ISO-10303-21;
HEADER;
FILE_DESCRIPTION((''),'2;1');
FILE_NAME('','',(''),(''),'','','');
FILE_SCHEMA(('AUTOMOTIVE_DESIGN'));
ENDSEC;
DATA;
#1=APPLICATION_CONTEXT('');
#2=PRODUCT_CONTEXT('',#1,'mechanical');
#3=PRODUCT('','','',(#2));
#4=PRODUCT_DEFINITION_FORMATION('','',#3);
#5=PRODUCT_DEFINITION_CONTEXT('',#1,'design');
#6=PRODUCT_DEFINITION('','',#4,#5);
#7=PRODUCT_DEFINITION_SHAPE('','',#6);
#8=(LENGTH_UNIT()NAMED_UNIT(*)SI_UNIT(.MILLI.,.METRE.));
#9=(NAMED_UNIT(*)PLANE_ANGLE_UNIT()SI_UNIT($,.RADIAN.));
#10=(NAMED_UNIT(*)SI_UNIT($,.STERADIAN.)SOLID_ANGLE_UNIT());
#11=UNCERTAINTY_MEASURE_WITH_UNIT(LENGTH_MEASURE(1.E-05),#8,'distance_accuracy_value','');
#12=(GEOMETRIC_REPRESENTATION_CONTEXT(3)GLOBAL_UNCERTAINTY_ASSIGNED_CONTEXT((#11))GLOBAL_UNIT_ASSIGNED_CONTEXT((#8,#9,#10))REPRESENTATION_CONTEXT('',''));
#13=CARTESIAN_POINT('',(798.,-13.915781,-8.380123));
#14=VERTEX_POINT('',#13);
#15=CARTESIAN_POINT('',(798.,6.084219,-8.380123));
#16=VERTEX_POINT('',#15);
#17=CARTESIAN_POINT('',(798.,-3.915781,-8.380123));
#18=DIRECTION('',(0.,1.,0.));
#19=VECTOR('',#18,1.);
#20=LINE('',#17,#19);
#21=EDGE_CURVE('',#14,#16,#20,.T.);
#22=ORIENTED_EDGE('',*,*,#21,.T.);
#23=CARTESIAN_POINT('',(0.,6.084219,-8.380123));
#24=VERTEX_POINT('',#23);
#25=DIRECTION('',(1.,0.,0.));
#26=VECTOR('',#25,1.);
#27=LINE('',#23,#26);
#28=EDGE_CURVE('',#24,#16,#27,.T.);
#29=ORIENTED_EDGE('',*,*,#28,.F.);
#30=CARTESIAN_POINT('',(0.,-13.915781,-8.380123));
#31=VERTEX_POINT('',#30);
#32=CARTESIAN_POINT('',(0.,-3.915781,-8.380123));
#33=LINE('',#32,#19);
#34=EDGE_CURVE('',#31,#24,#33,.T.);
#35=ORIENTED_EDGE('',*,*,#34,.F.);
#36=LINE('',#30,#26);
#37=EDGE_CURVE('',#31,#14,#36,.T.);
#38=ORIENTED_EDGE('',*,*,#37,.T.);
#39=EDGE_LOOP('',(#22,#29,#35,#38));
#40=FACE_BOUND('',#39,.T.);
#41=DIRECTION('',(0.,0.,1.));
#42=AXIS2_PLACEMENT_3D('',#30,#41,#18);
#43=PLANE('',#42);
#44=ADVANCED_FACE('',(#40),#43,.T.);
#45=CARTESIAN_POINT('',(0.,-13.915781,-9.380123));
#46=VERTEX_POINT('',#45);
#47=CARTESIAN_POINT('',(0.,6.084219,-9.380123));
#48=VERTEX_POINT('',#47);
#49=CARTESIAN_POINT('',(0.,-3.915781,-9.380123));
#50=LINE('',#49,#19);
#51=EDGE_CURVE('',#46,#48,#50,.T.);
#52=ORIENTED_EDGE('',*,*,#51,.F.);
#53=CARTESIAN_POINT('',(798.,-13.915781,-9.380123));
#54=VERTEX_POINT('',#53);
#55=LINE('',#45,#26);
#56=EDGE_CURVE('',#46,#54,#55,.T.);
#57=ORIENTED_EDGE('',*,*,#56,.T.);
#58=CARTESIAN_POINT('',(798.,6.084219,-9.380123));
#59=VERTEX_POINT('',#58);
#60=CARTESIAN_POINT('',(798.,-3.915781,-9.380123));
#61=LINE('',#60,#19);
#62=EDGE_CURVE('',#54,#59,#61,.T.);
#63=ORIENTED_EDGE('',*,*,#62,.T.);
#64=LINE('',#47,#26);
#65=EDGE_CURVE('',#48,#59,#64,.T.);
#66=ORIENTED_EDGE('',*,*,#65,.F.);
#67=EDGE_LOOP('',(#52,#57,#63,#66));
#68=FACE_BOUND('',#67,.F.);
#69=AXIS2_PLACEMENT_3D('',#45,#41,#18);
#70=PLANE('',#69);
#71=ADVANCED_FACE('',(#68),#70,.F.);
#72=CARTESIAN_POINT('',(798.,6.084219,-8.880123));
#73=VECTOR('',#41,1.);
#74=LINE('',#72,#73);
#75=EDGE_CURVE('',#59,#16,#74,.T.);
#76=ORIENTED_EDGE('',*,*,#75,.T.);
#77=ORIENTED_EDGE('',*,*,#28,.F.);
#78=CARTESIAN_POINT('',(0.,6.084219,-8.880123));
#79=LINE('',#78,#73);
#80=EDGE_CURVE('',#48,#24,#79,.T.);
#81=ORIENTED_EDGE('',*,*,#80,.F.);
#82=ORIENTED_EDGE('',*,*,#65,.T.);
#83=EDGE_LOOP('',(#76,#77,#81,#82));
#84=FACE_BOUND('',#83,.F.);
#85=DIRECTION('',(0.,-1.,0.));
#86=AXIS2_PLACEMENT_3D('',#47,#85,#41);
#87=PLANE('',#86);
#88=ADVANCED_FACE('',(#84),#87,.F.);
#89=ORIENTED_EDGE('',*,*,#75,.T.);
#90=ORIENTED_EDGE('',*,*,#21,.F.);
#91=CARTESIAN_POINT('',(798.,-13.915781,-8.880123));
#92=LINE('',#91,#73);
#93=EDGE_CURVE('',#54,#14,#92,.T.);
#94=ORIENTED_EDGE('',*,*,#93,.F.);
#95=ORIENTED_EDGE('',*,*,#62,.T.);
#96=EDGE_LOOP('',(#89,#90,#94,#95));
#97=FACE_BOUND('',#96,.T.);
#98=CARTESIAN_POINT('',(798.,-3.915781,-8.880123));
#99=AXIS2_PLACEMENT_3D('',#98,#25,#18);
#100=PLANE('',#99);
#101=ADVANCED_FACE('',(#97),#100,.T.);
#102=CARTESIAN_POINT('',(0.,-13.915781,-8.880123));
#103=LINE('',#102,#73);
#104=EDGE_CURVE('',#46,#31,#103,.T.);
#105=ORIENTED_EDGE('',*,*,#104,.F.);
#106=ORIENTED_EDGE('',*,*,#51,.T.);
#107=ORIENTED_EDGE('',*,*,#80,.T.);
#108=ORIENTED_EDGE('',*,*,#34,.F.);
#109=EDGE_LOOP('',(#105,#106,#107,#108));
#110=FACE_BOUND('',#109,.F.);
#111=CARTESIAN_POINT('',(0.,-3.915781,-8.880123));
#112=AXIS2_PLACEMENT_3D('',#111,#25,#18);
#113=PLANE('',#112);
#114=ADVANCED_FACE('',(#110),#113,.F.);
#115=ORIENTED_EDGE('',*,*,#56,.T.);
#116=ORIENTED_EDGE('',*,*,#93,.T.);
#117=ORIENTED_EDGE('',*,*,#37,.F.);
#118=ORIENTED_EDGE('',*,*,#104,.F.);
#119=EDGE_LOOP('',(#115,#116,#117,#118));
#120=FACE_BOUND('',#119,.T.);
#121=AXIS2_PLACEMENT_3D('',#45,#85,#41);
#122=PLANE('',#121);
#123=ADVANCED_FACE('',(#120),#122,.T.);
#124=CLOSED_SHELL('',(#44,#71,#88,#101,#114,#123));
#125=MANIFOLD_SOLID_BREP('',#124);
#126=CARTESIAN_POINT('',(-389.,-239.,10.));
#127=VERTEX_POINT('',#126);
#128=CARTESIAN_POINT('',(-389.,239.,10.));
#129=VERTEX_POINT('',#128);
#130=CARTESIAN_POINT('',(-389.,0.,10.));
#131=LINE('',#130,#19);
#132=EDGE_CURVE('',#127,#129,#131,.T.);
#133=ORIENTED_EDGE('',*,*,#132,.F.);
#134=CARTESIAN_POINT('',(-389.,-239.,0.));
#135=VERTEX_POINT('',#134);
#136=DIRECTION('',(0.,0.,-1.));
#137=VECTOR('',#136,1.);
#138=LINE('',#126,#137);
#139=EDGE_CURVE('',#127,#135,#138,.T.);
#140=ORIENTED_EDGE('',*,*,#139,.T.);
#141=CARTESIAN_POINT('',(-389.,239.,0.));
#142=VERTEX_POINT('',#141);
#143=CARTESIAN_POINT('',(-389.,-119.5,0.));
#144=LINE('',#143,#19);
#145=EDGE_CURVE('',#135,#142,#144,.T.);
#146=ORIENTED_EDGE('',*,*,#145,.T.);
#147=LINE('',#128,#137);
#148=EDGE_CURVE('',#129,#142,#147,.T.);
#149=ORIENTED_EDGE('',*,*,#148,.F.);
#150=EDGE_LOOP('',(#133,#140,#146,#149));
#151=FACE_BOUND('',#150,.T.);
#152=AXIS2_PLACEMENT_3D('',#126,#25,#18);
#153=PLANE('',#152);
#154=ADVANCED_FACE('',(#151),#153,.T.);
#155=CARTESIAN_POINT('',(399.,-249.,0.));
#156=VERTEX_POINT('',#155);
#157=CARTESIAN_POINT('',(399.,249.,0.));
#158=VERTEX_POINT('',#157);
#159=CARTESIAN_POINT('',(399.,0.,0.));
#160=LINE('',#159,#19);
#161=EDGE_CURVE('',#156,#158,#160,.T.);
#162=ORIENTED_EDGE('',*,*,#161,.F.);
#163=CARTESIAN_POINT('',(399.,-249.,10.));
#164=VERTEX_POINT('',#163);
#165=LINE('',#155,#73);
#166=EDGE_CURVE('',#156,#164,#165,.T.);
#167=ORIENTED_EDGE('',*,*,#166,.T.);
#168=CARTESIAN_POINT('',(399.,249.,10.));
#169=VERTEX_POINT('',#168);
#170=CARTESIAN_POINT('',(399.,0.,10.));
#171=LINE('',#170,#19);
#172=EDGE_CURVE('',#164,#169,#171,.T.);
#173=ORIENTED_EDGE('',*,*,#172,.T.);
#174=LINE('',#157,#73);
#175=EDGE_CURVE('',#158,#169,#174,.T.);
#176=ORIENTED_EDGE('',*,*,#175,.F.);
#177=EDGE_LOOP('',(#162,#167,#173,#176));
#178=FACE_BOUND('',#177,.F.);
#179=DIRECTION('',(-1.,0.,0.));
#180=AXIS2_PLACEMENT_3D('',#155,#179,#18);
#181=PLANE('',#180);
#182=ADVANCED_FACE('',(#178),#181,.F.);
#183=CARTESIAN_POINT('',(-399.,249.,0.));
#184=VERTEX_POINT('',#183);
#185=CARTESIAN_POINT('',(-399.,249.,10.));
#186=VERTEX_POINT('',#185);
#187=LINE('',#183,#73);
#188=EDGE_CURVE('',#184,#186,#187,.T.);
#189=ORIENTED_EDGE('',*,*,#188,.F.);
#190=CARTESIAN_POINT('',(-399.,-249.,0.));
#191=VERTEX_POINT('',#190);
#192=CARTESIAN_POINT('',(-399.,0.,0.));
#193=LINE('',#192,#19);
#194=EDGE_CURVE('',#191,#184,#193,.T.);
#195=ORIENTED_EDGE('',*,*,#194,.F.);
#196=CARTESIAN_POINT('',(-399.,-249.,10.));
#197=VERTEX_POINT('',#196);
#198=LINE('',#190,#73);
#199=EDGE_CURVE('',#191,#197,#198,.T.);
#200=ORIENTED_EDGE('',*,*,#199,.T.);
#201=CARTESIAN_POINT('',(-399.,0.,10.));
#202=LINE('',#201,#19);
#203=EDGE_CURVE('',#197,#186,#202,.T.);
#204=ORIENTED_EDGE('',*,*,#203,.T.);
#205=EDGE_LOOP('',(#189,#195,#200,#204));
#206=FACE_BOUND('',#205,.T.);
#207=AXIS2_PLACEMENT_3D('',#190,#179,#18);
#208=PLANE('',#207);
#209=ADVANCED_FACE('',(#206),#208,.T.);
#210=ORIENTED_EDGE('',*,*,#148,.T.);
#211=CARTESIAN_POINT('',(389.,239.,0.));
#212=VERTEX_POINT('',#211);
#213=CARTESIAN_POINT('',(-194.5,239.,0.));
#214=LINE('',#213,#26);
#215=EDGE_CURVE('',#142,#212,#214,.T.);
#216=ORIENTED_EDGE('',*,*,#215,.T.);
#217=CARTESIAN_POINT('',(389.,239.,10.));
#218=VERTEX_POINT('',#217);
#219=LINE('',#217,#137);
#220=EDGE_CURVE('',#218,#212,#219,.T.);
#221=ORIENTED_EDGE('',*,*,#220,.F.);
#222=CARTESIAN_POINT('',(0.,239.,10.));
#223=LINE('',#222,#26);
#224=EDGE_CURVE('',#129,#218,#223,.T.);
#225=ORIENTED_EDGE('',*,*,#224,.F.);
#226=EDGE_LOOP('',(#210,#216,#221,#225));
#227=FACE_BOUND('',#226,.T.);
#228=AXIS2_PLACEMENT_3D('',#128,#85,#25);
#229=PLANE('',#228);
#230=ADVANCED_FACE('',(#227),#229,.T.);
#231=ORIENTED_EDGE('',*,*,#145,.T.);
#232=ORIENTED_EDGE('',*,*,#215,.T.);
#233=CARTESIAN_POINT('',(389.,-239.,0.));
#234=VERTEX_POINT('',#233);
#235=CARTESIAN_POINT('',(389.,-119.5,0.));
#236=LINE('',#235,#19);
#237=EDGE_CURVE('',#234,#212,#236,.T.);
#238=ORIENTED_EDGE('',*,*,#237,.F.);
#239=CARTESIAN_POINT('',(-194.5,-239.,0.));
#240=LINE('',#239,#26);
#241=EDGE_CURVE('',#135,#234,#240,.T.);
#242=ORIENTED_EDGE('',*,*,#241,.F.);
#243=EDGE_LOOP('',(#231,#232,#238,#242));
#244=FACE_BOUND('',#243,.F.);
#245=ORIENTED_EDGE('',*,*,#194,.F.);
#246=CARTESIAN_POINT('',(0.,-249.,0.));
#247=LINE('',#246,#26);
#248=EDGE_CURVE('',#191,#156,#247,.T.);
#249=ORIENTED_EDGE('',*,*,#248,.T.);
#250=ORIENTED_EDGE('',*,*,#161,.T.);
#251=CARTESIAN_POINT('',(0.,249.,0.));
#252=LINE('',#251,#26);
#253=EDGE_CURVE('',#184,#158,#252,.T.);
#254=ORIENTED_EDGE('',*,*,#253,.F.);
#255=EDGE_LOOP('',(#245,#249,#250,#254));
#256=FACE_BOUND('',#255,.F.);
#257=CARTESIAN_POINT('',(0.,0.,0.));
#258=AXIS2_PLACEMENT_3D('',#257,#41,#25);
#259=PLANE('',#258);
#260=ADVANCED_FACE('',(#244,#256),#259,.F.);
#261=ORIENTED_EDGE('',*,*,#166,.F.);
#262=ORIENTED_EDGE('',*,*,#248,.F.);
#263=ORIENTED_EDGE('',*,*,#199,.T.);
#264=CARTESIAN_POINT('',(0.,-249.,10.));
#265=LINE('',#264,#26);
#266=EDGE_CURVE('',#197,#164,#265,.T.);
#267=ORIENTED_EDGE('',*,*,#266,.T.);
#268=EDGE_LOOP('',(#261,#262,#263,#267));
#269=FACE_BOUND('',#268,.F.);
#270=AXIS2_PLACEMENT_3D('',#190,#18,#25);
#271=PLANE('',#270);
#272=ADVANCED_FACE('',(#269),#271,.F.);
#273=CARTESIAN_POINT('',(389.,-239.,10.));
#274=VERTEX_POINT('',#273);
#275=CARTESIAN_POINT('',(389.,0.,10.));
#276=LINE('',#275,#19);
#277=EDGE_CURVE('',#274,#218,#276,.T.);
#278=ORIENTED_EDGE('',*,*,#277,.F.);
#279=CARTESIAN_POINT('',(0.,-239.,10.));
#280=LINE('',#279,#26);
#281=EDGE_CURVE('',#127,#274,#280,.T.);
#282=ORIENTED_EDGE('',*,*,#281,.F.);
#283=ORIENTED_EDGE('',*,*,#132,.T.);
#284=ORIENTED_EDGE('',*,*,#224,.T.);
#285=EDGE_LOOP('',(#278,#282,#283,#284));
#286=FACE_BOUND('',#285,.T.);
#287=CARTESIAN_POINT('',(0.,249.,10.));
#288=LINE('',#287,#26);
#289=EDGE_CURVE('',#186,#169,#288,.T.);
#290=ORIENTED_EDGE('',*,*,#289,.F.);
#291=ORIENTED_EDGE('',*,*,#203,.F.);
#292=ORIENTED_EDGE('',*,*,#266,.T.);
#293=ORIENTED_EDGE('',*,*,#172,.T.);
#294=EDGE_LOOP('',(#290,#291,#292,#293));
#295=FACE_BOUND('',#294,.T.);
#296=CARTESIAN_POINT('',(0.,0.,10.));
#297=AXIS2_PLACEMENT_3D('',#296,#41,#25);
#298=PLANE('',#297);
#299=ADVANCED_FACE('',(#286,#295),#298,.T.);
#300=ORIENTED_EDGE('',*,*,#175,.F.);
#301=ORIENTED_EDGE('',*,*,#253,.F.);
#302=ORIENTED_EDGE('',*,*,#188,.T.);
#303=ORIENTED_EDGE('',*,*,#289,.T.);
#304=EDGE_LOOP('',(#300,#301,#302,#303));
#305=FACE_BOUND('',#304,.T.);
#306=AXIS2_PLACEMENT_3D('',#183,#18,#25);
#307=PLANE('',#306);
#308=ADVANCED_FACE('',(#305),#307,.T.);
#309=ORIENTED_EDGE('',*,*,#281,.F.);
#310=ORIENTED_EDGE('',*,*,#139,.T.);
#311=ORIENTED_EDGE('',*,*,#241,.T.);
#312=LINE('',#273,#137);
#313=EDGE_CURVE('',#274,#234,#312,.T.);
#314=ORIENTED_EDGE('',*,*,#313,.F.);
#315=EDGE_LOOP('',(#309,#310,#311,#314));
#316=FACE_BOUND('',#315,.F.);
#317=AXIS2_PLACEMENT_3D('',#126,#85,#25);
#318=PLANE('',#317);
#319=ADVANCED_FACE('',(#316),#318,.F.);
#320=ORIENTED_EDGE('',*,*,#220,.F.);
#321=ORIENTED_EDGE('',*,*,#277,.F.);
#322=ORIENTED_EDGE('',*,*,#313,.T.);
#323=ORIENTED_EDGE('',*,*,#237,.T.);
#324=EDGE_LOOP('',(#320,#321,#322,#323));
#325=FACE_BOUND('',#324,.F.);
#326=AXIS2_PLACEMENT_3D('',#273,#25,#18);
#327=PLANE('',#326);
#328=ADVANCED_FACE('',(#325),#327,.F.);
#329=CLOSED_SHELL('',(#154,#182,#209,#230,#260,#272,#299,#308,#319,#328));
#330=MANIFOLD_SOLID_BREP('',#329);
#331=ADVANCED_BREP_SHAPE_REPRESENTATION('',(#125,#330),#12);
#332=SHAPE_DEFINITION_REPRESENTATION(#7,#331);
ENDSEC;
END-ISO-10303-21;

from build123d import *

# Parameters (mm, degrees)
F0_W     = 798
F0_H     = 498
F1_DEPTH = 10
F2_W     = 778
F2_H     = 478
F3_DEPTH = 10.001
F4_W     = 20
F4_H     = 1
F5_DEPTH = 798


with BuildPart() as f1:
    # F0 (on Top) → F1 (new body)
    with BuildSketch(Plane.XY):
        Rectangle(F0_W, F0_H)
    extrude(amount=F1_DEPTH)

    # F2 (on face) → F3 (cut, through all)
    with BuildSketch(Plane.XY.offset(10)):
        Rectangle(F2_W, F2_H)
    extrude(amount=-F3_DEPTH, mode=Mode.SUBTRACT)


with BuildPart() as f5:
    # F4 (on Right) → F5 (new body)
    with BuildSketch(Plane.YZ):
        with Locations((-3.915781, -8.880123)):
            Rectangle(F4_W, F4_H)
    extrude(amount=F5_DEPTH)


solid = Compound([f1.part, f5.part])
